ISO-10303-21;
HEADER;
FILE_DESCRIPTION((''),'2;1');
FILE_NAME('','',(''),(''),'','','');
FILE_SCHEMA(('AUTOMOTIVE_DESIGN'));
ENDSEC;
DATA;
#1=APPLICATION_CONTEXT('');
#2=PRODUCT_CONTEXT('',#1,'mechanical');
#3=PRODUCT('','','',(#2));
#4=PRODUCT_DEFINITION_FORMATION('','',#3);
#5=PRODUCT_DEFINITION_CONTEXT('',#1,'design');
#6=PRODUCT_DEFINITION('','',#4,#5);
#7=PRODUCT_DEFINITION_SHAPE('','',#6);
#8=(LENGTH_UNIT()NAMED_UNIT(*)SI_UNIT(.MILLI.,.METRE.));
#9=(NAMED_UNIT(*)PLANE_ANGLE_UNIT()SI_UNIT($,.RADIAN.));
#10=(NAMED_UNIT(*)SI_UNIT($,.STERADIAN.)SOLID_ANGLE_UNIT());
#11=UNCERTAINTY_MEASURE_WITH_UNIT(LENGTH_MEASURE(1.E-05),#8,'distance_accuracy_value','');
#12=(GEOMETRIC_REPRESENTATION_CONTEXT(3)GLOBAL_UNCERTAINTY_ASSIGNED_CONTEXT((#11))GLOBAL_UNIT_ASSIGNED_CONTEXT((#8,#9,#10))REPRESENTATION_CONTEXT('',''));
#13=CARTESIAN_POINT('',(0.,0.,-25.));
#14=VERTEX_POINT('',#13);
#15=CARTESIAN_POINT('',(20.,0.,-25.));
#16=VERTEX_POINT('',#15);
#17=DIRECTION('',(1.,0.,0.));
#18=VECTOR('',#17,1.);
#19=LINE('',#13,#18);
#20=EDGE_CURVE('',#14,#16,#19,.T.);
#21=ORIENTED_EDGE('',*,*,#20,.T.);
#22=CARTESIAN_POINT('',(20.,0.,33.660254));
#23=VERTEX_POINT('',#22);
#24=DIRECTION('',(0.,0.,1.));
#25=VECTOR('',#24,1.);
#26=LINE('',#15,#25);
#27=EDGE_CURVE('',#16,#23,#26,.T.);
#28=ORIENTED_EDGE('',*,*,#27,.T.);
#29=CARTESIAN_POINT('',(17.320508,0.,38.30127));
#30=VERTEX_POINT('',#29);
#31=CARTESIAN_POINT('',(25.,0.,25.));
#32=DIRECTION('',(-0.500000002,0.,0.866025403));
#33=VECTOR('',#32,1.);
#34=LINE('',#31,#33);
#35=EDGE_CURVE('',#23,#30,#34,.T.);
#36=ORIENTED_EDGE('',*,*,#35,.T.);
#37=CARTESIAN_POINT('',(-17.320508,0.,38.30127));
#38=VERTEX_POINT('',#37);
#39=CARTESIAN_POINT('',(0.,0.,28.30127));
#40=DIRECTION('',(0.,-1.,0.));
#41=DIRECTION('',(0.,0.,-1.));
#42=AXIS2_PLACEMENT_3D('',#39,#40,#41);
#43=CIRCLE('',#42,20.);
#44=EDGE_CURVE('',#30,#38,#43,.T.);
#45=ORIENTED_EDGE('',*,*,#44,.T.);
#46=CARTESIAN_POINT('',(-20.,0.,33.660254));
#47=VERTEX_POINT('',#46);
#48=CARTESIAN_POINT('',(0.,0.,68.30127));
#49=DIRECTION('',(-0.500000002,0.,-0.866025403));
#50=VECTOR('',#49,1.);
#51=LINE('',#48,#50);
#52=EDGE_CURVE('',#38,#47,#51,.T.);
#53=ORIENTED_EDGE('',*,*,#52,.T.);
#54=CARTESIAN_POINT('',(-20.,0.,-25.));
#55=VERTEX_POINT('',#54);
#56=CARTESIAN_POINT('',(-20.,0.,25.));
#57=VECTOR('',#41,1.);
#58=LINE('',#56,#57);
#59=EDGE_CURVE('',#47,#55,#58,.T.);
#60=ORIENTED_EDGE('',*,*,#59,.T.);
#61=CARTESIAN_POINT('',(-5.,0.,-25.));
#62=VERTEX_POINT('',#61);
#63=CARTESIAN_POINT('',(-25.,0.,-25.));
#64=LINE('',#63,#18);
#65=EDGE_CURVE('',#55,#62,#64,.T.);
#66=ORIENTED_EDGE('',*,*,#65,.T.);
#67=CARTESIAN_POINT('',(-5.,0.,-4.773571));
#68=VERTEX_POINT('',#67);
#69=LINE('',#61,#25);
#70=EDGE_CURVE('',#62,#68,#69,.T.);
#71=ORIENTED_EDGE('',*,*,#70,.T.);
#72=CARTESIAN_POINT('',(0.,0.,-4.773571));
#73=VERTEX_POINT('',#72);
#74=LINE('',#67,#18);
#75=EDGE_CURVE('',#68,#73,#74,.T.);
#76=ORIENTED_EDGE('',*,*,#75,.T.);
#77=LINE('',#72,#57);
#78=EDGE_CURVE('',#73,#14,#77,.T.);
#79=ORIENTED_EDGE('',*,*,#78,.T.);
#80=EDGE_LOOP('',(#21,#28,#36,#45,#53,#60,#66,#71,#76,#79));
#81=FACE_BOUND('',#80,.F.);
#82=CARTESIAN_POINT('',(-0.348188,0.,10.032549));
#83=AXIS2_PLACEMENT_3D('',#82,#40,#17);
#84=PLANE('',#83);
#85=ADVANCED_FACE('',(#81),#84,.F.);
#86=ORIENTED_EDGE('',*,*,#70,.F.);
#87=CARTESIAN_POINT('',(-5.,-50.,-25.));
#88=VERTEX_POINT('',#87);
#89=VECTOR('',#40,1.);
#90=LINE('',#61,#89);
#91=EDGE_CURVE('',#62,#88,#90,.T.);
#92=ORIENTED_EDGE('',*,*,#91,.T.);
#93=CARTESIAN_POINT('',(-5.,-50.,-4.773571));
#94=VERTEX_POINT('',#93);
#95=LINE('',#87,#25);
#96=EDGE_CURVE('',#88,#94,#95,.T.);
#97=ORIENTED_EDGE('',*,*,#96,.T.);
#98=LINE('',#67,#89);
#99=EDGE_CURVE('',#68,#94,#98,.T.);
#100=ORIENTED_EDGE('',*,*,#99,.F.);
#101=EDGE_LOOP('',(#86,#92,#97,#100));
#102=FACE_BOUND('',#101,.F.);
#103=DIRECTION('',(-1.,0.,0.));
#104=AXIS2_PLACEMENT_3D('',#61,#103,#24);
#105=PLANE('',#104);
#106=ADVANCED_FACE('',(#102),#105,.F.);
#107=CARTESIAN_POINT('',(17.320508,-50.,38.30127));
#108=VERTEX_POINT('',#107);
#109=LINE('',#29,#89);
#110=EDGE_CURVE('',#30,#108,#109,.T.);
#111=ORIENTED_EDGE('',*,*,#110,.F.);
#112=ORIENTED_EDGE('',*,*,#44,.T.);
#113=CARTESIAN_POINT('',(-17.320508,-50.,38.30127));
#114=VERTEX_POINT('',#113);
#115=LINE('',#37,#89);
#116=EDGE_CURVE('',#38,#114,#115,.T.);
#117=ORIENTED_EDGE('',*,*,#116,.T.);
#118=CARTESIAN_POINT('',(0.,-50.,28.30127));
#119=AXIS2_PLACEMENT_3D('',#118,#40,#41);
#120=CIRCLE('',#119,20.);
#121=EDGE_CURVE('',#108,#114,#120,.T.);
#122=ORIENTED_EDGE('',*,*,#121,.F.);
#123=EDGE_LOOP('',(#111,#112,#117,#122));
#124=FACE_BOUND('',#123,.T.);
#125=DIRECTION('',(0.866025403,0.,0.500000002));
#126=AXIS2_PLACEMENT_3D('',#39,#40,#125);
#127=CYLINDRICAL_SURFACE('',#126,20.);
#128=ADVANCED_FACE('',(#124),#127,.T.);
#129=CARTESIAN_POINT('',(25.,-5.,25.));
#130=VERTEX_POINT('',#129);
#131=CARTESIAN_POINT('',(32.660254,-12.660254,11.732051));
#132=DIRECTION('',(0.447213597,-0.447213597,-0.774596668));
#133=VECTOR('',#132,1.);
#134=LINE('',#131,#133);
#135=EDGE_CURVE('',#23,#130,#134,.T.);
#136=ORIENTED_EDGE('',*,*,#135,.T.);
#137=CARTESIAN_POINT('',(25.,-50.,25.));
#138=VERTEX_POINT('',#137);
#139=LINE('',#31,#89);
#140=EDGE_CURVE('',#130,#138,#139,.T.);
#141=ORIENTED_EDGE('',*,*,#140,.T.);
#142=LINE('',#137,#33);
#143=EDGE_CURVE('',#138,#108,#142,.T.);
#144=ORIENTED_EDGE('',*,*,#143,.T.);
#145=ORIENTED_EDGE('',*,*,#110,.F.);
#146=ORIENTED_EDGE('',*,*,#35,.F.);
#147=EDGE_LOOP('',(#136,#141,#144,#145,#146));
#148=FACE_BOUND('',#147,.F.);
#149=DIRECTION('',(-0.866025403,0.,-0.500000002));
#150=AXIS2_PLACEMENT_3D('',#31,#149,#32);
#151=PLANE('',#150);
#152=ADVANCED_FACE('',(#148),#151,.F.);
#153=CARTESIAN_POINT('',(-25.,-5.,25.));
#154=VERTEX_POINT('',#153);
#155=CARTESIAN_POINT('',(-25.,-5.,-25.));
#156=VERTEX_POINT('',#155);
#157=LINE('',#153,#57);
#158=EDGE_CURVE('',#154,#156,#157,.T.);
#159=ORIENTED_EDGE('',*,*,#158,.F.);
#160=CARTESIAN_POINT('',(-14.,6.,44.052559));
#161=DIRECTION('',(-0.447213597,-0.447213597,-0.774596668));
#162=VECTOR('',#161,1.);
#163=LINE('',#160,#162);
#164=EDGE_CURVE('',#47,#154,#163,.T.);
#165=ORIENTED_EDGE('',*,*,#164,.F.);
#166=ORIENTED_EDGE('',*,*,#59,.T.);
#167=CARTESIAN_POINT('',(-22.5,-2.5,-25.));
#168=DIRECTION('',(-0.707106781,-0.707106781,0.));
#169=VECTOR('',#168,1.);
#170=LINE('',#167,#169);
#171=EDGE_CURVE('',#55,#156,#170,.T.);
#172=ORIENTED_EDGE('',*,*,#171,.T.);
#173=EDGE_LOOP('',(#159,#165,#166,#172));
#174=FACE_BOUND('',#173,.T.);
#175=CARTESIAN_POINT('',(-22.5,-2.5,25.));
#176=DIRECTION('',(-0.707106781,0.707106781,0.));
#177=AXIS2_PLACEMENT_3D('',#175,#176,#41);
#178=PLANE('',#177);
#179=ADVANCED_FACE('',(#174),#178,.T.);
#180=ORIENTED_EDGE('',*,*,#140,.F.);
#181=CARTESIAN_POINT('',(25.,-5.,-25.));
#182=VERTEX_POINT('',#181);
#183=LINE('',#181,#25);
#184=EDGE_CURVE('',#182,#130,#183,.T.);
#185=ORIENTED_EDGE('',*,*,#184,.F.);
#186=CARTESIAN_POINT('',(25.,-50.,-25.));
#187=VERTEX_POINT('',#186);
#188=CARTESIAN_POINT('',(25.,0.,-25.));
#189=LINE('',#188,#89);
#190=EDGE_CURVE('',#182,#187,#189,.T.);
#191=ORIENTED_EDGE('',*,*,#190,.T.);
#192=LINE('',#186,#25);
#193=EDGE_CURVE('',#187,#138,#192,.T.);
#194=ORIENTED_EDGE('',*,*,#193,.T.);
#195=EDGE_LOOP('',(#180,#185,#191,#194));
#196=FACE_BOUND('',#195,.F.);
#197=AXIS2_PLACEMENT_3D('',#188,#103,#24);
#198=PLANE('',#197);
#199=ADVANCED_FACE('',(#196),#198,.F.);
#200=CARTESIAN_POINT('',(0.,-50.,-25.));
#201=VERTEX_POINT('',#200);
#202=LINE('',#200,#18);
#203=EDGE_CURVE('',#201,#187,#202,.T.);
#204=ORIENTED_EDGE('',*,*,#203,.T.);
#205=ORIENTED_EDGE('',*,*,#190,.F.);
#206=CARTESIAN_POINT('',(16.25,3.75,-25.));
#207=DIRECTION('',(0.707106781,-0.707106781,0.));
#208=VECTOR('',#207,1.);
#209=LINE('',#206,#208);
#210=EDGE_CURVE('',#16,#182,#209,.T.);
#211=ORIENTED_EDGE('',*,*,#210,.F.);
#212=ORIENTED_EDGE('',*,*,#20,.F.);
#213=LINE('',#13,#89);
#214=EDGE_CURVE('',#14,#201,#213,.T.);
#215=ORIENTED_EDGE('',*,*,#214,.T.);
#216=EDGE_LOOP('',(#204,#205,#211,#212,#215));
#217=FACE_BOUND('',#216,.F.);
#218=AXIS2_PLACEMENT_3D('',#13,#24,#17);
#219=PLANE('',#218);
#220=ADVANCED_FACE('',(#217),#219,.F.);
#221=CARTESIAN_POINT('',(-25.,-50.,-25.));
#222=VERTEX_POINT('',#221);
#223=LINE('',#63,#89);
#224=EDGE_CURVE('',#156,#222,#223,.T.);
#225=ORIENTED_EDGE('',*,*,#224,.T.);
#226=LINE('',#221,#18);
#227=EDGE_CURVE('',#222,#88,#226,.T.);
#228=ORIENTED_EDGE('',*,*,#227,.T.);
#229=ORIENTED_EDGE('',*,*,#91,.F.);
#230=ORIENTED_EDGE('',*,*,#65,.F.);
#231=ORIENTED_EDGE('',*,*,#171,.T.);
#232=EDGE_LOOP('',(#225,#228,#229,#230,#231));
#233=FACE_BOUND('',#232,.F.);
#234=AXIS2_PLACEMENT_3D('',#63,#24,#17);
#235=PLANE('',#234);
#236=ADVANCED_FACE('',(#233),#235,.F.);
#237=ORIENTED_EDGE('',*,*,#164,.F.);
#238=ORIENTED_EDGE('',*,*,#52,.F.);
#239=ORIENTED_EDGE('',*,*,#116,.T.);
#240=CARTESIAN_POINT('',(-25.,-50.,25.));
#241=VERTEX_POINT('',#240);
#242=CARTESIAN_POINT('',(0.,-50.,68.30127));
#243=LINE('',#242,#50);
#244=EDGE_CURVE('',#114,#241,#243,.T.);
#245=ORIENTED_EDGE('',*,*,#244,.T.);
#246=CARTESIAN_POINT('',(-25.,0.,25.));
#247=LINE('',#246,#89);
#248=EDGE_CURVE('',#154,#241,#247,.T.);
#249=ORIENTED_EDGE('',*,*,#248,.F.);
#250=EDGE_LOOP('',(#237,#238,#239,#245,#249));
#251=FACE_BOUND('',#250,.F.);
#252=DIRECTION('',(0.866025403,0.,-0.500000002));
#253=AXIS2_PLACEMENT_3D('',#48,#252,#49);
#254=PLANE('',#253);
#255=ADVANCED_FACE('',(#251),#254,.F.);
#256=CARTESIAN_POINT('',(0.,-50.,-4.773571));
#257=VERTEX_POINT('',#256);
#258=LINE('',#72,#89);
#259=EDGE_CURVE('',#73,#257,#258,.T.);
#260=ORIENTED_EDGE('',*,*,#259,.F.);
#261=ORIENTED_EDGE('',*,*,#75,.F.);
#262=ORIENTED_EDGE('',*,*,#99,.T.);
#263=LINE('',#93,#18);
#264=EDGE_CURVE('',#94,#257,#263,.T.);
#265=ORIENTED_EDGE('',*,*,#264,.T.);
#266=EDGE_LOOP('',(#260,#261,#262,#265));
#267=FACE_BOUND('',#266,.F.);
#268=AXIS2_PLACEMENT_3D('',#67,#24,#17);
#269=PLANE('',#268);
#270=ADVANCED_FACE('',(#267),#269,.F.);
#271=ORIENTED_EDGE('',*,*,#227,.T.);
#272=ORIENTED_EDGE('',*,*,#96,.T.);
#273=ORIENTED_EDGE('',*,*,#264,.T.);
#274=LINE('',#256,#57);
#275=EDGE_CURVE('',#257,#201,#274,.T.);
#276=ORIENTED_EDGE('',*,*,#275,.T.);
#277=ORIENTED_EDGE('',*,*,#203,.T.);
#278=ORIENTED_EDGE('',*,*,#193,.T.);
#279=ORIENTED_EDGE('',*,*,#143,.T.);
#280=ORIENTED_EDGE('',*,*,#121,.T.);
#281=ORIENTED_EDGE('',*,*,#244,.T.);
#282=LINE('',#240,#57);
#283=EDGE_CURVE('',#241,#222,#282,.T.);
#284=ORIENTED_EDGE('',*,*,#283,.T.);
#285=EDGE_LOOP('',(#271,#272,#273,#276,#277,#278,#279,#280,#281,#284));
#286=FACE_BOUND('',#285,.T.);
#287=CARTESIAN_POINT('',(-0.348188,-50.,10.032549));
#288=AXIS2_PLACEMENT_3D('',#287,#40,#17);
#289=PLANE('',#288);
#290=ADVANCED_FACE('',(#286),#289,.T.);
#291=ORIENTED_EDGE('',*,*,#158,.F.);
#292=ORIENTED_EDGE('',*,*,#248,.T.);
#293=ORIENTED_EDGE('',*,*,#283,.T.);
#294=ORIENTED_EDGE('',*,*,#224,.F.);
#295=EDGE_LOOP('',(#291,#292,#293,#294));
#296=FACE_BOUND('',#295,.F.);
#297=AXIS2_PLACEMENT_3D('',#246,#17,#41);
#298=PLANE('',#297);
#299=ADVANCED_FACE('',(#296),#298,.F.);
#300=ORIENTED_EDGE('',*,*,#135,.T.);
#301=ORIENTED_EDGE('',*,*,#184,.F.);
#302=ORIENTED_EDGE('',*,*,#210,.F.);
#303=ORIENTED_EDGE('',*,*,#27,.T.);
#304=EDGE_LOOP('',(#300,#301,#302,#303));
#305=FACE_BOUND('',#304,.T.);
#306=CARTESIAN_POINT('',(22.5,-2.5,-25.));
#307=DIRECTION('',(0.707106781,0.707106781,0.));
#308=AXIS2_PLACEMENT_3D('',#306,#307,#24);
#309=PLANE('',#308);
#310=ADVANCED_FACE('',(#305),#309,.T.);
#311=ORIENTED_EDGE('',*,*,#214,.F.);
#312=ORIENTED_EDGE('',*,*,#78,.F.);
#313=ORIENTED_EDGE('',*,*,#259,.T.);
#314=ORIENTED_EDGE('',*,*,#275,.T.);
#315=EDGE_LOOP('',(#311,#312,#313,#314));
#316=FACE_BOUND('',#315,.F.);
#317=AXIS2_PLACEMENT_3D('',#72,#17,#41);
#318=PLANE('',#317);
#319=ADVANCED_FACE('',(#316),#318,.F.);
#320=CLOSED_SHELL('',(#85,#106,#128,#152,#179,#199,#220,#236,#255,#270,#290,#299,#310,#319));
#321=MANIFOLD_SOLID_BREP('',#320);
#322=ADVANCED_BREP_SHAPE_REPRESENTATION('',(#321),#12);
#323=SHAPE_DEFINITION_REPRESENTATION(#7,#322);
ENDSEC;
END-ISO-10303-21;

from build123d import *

# Parameters (mm, degrees)
F1_DEPTH = 50
F2_R     = 20
F3_SIZE  = 5


with BuildPart() as f1:
    # F0 (on Front) → F1 (new body)
    with BuildSketch(Plane.XZ):
        Polygon((0, -25), (25, -25), (25, 25), (0, 68.30127), (-25, 25), (-25, -25), (-5, -25), (-5, -4.773571), (0, -4.773571), align=None)
    extrude(amount=F1_DEPTH)

    # F2
    f2_edges = [f1.edges().sort_by_distance(p)[0] for p in [
        (0, -25, 68.30127),
    ]]
    fillet(f2_edges, radius=F2_R)

    # F3
    f3_edges = [f1.edges().sort_by_distance(p)[0] for p in [
        (25, 0, 0),
        (-25, 0, 0),
    ]]
    chamfer(f3_edges, length=F3_SIZE)


solid = f1.part
